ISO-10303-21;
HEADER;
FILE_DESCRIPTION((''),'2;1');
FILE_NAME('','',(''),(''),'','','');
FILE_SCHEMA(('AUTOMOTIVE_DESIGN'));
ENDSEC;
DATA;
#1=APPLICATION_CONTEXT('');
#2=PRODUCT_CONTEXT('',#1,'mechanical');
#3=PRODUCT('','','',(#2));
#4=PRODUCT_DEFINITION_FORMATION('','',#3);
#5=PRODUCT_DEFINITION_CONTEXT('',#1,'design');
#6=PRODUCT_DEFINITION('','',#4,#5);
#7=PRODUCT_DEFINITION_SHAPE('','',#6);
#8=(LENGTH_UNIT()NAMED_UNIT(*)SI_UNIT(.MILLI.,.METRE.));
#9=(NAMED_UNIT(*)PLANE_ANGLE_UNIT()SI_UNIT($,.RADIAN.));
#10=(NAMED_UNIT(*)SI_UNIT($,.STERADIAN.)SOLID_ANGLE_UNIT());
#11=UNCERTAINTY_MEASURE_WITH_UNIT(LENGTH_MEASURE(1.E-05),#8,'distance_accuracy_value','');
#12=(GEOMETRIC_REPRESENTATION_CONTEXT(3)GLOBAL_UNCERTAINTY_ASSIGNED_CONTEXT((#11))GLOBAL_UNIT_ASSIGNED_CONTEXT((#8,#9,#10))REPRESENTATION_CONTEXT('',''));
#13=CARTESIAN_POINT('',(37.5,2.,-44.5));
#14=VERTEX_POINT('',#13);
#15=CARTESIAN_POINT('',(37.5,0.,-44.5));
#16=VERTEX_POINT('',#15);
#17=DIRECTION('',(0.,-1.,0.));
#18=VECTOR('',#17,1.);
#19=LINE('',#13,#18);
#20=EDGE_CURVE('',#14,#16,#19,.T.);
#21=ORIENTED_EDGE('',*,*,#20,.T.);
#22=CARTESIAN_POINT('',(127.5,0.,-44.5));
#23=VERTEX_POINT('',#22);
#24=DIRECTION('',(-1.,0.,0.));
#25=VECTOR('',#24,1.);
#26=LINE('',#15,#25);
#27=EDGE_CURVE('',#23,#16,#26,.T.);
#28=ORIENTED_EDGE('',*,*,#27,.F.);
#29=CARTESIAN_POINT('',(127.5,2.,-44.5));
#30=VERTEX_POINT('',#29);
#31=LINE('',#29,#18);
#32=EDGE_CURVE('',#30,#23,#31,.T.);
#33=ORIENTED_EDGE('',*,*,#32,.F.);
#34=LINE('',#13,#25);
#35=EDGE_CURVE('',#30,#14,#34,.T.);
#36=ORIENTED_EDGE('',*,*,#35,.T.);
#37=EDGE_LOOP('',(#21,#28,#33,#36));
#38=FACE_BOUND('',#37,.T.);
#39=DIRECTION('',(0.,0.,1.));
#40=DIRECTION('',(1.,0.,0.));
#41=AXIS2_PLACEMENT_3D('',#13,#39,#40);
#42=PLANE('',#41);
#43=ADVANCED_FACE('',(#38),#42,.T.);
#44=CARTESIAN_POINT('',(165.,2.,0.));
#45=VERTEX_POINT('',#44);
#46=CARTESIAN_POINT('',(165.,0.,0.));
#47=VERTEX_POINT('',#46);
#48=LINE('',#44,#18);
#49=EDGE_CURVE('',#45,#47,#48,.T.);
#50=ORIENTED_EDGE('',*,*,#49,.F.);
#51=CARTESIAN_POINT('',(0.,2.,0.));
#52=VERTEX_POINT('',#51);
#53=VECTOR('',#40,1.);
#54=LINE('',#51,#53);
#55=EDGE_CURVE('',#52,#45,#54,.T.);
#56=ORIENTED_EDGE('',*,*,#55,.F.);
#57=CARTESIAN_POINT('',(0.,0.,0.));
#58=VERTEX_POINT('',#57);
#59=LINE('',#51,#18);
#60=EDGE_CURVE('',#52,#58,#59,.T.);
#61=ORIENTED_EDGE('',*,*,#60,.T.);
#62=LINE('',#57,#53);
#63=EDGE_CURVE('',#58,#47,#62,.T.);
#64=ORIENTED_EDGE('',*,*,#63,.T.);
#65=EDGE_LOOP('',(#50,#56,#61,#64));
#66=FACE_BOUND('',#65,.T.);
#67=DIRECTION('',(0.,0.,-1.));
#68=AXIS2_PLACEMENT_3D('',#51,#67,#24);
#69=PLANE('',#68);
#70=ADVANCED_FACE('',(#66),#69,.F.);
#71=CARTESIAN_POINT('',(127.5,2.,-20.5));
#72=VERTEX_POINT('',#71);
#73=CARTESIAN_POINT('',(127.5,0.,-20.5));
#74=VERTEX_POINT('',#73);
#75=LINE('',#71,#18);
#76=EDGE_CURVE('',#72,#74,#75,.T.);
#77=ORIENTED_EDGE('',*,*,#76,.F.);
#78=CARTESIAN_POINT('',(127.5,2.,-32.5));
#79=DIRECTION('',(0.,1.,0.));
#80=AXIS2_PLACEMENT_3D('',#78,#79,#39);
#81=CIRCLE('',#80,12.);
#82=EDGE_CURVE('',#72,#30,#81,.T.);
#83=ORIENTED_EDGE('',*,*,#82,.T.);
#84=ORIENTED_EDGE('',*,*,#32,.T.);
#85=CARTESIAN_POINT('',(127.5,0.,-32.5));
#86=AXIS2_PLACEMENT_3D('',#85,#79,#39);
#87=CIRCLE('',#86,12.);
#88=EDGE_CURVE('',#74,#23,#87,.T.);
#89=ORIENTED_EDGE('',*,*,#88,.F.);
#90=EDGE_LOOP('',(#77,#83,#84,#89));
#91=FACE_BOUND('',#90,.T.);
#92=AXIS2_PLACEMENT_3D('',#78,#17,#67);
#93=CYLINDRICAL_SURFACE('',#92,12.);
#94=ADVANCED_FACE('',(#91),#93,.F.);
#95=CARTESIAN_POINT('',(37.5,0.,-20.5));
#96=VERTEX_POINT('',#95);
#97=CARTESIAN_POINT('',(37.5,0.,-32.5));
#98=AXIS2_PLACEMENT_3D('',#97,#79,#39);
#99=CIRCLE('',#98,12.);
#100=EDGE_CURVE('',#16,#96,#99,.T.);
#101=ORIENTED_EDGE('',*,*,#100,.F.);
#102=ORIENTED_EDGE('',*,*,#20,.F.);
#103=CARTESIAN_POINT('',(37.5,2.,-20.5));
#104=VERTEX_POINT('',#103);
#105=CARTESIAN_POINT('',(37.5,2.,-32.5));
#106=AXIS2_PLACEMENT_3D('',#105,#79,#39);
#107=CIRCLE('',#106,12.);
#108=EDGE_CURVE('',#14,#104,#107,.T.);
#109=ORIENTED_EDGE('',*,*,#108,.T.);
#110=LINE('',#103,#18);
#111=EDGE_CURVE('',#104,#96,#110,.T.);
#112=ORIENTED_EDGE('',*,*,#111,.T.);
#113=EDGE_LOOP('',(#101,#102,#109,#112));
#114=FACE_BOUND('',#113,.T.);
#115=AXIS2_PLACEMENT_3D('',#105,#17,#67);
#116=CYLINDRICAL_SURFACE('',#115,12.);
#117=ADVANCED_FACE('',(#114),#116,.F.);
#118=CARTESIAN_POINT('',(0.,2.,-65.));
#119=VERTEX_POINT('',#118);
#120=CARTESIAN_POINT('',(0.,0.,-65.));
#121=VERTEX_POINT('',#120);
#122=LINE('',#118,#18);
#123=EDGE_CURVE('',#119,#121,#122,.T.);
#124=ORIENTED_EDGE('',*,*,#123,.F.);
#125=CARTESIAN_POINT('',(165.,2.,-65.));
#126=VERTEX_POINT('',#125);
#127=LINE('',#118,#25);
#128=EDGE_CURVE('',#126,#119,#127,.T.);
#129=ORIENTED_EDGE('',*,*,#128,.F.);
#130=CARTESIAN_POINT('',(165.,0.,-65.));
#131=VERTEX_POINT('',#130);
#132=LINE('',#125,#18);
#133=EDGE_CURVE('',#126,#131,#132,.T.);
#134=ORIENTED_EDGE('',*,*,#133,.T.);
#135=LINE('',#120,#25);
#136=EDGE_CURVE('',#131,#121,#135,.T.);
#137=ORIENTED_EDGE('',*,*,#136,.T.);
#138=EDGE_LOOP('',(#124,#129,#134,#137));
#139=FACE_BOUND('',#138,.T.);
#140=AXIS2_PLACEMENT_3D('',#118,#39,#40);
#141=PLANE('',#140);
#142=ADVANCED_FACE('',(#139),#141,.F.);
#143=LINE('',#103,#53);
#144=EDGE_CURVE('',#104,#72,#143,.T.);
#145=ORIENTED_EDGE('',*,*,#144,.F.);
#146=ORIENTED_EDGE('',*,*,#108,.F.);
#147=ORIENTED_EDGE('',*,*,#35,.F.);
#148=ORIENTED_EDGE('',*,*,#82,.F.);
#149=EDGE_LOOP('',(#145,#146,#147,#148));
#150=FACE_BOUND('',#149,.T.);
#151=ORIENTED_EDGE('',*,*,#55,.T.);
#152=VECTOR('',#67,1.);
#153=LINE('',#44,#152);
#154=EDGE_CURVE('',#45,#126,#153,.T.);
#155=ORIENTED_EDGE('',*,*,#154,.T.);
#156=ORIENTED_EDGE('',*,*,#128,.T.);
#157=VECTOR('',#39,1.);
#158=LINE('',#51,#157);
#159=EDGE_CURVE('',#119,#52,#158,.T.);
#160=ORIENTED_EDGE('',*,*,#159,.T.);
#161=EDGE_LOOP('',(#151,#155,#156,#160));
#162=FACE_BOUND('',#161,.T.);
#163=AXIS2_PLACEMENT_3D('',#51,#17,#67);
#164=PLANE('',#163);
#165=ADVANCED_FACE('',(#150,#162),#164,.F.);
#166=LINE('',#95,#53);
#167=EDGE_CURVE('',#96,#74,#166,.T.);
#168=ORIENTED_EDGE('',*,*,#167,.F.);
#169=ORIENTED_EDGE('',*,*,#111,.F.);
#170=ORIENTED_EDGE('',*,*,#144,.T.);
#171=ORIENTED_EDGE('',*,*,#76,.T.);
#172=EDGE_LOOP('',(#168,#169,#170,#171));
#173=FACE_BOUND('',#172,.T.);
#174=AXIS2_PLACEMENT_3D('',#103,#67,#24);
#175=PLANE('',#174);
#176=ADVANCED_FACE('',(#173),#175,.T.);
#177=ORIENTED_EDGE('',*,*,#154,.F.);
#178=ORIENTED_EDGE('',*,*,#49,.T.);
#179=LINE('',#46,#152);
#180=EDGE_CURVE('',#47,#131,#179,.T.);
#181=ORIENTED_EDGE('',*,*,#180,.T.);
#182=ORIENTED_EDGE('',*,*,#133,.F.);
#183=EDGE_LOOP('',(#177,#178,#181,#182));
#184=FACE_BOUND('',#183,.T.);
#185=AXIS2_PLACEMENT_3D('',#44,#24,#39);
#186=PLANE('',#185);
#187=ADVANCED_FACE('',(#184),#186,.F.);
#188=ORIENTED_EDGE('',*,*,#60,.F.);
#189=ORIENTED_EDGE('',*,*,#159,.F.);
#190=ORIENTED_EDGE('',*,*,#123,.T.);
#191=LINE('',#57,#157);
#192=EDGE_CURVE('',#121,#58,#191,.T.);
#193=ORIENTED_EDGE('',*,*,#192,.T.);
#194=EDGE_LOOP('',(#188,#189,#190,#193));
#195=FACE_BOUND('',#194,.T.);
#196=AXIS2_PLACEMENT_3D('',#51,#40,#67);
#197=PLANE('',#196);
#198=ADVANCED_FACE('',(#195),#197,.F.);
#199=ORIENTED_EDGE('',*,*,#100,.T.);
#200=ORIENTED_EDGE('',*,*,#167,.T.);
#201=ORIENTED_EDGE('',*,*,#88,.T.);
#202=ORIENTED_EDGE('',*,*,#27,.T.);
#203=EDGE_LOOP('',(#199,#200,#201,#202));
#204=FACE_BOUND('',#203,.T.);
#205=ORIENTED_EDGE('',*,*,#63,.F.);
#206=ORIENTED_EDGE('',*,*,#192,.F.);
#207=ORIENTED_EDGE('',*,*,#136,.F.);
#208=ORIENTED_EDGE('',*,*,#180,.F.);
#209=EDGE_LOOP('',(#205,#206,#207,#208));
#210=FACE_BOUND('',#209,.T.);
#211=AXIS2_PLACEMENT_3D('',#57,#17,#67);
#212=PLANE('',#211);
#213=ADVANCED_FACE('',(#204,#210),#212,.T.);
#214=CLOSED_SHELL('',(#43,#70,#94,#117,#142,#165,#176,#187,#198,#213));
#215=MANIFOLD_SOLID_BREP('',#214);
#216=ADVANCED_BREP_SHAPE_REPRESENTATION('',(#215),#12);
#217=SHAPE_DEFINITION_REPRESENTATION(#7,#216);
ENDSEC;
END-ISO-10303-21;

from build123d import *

# Parameters (mm, degrees)
CROQUIS1_W              = 165
CROQUIS1_H              = 65
SALIENTE_EXTRUIR1_DEPTH = 2


with BuildPart() as part:
    # Croquis1 → Saliente-Extruir1 (new body)
    with BuildSketch(Plane(origin=(0, 0, 0), x_dir=(1, 0, 0), z_dir=(0, 1, 0))):
        with Locations((82.5, 32.5)):
            Rectangle(CROQUIS1_W, CROQUIS1_H)
        with BuildLine():
            Line((37.5, 44.5), (127.5, 44.5))
            ThreePointArc((127.5, 44.5), (139.5, 32.5), (127.5, 20.5))
            Line((127.5, 20.5), (37.5, 20.5))
            ThreePointArc((37.5, 20.5), (25.5, 32.5), (37.5, 44.5))
        make_face(mode=Mode.SUBTRACT)
    extrude(amount=SALIENTE_EXTRUIR1_DEPTH)


solid = part.part
